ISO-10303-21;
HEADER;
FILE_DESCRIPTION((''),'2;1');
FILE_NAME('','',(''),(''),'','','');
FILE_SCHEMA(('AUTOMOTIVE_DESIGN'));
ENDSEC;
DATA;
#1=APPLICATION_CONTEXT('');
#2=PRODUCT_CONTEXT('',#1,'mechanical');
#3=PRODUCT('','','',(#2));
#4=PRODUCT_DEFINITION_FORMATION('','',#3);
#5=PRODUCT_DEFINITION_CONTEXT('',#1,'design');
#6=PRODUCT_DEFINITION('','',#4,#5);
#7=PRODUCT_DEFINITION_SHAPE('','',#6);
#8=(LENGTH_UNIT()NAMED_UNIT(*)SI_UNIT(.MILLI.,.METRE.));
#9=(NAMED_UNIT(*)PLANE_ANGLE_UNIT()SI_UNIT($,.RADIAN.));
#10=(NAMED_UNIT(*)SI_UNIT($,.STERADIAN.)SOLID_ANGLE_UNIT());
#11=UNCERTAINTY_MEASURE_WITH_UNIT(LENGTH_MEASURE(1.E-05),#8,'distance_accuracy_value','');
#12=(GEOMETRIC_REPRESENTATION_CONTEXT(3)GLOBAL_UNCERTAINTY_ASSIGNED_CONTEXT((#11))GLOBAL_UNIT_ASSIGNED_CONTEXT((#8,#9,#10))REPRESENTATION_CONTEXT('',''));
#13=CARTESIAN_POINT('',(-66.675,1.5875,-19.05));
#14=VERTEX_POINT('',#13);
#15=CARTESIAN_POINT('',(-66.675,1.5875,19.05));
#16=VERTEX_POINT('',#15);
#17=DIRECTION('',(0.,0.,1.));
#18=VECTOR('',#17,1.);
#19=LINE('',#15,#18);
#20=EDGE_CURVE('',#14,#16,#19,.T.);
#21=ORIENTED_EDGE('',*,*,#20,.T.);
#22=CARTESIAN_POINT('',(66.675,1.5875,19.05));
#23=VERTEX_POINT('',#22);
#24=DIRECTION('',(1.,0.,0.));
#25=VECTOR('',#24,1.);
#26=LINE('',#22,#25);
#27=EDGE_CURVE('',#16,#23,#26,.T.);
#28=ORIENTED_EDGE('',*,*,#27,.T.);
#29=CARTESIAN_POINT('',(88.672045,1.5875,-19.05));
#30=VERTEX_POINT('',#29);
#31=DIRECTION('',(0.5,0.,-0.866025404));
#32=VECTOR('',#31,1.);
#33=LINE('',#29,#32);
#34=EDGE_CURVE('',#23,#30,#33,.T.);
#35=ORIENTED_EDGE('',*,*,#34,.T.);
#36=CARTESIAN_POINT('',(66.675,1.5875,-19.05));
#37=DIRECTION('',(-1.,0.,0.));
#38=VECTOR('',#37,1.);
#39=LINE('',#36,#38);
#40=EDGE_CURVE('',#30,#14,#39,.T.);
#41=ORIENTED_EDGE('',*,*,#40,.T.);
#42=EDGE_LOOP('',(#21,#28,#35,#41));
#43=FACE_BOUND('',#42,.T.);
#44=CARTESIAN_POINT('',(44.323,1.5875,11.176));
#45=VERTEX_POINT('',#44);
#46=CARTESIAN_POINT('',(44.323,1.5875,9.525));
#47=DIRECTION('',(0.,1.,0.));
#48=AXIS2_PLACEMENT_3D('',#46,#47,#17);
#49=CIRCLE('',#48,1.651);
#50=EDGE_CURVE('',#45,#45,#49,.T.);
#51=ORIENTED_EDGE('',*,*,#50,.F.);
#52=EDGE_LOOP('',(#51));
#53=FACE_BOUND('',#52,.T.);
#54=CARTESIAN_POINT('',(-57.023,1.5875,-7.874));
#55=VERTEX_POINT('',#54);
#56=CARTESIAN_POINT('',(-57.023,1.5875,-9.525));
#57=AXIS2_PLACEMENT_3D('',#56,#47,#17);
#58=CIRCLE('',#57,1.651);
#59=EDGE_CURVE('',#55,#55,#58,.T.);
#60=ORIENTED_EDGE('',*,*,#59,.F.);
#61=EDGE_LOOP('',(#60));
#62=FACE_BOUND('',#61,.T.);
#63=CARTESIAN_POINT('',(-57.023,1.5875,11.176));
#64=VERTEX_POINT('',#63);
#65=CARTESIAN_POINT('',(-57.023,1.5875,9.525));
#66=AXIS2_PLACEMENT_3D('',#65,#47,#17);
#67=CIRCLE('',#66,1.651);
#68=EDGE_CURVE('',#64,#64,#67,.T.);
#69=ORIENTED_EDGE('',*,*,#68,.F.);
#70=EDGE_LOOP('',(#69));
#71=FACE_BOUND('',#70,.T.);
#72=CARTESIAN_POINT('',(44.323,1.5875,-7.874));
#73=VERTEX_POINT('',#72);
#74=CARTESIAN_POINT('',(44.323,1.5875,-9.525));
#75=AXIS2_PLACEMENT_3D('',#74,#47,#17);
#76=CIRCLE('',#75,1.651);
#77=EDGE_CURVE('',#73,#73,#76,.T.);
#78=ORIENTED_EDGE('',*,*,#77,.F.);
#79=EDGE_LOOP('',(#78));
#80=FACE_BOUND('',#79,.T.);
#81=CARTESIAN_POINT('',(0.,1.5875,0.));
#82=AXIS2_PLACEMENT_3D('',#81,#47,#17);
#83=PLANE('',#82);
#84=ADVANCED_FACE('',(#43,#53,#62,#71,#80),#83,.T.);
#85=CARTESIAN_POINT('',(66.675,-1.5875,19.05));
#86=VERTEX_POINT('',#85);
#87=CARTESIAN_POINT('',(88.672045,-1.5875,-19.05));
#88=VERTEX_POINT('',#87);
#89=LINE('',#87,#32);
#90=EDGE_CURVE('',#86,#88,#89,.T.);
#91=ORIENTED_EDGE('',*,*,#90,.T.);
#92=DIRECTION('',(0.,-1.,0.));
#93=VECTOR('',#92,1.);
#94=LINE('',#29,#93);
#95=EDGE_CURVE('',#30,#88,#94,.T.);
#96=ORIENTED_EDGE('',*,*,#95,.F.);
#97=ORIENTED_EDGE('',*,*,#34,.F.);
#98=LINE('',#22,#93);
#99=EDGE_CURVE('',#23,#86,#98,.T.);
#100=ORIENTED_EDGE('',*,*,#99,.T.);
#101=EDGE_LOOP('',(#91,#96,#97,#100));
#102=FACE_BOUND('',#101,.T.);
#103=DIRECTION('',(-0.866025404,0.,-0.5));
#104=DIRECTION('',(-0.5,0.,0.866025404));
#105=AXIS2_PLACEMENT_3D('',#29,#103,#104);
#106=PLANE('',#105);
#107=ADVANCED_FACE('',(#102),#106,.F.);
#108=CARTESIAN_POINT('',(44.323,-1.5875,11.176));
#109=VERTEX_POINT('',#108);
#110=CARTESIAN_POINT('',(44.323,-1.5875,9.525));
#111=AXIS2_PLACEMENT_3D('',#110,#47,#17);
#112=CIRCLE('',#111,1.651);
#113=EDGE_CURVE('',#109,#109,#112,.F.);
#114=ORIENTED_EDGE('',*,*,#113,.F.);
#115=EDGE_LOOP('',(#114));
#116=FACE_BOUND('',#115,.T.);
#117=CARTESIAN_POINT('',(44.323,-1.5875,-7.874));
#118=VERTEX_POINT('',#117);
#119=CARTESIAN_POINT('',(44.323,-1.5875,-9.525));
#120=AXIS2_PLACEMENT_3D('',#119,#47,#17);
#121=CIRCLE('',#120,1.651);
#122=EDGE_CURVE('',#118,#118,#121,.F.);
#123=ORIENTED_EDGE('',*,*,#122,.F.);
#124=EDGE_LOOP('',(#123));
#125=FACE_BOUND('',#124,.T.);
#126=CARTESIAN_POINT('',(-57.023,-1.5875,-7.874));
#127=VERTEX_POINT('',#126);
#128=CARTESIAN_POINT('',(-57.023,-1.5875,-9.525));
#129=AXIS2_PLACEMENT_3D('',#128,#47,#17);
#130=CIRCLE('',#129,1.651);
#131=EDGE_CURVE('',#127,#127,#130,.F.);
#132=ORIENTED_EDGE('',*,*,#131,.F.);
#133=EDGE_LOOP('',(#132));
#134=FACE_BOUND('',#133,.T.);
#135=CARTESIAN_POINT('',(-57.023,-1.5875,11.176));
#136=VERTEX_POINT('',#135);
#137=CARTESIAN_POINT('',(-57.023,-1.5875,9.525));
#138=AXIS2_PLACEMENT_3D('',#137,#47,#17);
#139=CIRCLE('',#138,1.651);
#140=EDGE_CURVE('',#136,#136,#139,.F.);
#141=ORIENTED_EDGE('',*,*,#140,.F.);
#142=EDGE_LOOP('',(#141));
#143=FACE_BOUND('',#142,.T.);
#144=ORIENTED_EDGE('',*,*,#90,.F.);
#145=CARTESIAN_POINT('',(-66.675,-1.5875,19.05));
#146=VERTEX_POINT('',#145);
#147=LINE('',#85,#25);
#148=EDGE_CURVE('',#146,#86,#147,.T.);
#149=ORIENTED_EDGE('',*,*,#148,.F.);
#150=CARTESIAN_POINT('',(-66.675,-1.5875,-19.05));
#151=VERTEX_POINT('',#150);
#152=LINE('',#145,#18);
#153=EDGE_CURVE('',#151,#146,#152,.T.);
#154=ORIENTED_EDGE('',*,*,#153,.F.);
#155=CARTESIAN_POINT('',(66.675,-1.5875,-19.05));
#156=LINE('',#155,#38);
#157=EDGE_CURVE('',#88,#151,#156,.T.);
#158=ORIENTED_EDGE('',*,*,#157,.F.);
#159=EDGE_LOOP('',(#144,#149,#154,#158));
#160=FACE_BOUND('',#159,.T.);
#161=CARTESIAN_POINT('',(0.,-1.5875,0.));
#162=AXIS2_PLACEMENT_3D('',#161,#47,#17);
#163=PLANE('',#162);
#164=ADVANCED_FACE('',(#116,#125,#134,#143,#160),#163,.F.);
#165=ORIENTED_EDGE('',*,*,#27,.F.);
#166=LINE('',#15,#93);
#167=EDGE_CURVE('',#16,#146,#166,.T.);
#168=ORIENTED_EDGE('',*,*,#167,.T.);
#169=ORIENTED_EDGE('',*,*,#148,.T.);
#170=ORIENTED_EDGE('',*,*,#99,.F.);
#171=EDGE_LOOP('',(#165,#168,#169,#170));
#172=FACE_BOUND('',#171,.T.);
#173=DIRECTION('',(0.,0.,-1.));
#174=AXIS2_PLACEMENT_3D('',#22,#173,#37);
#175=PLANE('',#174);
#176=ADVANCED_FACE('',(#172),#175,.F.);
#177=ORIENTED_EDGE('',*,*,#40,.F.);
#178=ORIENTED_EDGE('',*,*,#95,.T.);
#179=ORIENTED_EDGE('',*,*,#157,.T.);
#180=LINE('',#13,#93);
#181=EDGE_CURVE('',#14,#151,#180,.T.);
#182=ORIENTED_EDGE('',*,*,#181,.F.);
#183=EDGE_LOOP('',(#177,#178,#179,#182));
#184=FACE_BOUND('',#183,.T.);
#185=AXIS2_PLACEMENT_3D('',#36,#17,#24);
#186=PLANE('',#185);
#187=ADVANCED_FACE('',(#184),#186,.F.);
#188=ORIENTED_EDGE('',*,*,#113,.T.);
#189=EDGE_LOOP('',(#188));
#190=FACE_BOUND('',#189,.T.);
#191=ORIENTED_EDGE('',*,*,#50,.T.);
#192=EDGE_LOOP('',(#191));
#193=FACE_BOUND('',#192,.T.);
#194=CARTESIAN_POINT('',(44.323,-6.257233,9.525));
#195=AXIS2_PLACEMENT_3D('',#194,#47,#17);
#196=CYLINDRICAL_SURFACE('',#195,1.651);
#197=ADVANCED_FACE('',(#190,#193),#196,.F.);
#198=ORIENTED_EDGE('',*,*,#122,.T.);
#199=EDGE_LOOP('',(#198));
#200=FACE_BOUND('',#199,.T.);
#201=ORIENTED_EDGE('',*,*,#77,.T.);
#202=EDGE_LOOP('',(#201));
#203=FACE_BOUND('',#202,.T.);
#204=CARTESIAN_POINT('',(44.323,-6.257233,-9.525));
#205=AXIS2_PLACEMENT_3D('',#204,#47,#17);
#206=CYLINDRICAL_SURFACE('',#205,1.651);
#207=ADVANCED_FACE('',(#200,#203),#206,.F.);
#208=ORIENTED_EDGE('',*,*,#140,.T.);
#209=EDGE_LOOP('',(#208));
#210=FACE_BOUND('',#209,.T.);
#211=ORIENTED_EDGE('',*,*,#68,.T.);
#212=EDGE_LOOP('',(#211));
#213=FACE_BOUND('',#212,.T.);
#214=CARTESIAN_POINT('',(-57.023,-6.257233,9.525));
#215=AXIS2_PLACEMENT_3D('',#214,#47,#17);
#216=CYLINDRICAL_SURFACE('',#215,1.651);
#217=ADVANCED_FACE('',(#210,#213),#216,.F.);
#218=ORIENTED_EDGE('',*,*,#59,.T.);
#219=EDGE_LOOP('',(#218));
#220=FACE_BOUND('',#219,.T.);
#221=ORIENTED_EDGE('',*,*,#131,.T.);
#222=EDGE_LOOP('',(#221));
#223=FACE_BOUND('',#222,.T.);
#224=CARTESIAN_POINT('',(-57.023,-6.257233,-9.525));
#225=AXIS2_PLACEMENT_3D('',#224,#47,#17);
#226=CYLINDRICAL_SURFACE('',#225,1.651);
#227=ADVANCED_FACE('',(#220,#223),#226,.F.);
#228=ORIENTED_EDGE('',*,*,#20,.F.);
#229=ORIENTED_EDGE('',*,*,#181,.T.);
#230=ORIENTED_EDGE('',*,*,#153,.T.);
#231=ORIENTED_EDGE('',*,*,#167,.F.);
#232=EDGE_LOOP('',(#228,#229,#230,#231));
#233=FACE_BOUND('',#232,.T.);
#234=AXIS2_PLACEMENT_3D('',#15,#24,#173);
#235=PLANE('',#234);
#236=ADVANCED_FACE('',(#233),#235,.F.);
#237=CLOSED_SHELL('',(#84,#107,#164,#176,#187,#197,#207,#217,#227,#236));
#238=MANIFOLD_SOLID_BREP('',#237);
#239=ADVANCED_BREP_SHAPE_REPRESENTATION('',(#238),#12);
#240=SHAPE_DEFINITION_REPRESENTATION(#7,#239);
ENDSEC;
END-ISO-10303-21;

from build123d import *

# Parameters (mm, degrees)
BOSS_EXTRUDE1_DEPTH = 1.5875
SKETCH2_R           = 1.651
CUT_EXTRUDE1_DEPTH  = 3.175


with BuildPart() as part:
    # Sketch1 → Boss-Extrude1 (new, symmetric)
    with BuildSketch(Plane(origin=(0, 0, 0), x_dir=(1, 0, 0), z_dir=(0, 1, 0))):
        Polygon((66.675, 19.05), (88.672045256, 19.05), (66.675, -19.05), (-66.675, -19.05), (-66.675, 19.05), align=None)
    extrude(amount=BOSS_EXTRUDE1_DEPTH, both=True)

    # Sketch2 → Cut-Extrude1 (cut)
    with BuildSketch(Plane(origin=(0, 1.5875, 0), x_dir=(1, 0, 0), z_dir=(0, 1, 0))):
        with Locations(Location((-57.023, 9.525, 0), (0, 0, 270))):
            Circle(SKETCH2_R)
        with Locations(Location((-57.023, -9.525, 0), (0, 0, 270))):
            Circle(SKETCH2_R)
        with Locations(Location((44.323, -9.525, 0), (0, 0, 270))):
            Circle(SKETCH2_R)
        with Locations(Location((44.323, 9.525, 0), (0, 0, 270))):
            Circle(SKETCH2_R)
    extrude(amount=-CUT_EXTRUDE1_DEPTH, mode=Mode.SUBTRACT)


solid = part.part
